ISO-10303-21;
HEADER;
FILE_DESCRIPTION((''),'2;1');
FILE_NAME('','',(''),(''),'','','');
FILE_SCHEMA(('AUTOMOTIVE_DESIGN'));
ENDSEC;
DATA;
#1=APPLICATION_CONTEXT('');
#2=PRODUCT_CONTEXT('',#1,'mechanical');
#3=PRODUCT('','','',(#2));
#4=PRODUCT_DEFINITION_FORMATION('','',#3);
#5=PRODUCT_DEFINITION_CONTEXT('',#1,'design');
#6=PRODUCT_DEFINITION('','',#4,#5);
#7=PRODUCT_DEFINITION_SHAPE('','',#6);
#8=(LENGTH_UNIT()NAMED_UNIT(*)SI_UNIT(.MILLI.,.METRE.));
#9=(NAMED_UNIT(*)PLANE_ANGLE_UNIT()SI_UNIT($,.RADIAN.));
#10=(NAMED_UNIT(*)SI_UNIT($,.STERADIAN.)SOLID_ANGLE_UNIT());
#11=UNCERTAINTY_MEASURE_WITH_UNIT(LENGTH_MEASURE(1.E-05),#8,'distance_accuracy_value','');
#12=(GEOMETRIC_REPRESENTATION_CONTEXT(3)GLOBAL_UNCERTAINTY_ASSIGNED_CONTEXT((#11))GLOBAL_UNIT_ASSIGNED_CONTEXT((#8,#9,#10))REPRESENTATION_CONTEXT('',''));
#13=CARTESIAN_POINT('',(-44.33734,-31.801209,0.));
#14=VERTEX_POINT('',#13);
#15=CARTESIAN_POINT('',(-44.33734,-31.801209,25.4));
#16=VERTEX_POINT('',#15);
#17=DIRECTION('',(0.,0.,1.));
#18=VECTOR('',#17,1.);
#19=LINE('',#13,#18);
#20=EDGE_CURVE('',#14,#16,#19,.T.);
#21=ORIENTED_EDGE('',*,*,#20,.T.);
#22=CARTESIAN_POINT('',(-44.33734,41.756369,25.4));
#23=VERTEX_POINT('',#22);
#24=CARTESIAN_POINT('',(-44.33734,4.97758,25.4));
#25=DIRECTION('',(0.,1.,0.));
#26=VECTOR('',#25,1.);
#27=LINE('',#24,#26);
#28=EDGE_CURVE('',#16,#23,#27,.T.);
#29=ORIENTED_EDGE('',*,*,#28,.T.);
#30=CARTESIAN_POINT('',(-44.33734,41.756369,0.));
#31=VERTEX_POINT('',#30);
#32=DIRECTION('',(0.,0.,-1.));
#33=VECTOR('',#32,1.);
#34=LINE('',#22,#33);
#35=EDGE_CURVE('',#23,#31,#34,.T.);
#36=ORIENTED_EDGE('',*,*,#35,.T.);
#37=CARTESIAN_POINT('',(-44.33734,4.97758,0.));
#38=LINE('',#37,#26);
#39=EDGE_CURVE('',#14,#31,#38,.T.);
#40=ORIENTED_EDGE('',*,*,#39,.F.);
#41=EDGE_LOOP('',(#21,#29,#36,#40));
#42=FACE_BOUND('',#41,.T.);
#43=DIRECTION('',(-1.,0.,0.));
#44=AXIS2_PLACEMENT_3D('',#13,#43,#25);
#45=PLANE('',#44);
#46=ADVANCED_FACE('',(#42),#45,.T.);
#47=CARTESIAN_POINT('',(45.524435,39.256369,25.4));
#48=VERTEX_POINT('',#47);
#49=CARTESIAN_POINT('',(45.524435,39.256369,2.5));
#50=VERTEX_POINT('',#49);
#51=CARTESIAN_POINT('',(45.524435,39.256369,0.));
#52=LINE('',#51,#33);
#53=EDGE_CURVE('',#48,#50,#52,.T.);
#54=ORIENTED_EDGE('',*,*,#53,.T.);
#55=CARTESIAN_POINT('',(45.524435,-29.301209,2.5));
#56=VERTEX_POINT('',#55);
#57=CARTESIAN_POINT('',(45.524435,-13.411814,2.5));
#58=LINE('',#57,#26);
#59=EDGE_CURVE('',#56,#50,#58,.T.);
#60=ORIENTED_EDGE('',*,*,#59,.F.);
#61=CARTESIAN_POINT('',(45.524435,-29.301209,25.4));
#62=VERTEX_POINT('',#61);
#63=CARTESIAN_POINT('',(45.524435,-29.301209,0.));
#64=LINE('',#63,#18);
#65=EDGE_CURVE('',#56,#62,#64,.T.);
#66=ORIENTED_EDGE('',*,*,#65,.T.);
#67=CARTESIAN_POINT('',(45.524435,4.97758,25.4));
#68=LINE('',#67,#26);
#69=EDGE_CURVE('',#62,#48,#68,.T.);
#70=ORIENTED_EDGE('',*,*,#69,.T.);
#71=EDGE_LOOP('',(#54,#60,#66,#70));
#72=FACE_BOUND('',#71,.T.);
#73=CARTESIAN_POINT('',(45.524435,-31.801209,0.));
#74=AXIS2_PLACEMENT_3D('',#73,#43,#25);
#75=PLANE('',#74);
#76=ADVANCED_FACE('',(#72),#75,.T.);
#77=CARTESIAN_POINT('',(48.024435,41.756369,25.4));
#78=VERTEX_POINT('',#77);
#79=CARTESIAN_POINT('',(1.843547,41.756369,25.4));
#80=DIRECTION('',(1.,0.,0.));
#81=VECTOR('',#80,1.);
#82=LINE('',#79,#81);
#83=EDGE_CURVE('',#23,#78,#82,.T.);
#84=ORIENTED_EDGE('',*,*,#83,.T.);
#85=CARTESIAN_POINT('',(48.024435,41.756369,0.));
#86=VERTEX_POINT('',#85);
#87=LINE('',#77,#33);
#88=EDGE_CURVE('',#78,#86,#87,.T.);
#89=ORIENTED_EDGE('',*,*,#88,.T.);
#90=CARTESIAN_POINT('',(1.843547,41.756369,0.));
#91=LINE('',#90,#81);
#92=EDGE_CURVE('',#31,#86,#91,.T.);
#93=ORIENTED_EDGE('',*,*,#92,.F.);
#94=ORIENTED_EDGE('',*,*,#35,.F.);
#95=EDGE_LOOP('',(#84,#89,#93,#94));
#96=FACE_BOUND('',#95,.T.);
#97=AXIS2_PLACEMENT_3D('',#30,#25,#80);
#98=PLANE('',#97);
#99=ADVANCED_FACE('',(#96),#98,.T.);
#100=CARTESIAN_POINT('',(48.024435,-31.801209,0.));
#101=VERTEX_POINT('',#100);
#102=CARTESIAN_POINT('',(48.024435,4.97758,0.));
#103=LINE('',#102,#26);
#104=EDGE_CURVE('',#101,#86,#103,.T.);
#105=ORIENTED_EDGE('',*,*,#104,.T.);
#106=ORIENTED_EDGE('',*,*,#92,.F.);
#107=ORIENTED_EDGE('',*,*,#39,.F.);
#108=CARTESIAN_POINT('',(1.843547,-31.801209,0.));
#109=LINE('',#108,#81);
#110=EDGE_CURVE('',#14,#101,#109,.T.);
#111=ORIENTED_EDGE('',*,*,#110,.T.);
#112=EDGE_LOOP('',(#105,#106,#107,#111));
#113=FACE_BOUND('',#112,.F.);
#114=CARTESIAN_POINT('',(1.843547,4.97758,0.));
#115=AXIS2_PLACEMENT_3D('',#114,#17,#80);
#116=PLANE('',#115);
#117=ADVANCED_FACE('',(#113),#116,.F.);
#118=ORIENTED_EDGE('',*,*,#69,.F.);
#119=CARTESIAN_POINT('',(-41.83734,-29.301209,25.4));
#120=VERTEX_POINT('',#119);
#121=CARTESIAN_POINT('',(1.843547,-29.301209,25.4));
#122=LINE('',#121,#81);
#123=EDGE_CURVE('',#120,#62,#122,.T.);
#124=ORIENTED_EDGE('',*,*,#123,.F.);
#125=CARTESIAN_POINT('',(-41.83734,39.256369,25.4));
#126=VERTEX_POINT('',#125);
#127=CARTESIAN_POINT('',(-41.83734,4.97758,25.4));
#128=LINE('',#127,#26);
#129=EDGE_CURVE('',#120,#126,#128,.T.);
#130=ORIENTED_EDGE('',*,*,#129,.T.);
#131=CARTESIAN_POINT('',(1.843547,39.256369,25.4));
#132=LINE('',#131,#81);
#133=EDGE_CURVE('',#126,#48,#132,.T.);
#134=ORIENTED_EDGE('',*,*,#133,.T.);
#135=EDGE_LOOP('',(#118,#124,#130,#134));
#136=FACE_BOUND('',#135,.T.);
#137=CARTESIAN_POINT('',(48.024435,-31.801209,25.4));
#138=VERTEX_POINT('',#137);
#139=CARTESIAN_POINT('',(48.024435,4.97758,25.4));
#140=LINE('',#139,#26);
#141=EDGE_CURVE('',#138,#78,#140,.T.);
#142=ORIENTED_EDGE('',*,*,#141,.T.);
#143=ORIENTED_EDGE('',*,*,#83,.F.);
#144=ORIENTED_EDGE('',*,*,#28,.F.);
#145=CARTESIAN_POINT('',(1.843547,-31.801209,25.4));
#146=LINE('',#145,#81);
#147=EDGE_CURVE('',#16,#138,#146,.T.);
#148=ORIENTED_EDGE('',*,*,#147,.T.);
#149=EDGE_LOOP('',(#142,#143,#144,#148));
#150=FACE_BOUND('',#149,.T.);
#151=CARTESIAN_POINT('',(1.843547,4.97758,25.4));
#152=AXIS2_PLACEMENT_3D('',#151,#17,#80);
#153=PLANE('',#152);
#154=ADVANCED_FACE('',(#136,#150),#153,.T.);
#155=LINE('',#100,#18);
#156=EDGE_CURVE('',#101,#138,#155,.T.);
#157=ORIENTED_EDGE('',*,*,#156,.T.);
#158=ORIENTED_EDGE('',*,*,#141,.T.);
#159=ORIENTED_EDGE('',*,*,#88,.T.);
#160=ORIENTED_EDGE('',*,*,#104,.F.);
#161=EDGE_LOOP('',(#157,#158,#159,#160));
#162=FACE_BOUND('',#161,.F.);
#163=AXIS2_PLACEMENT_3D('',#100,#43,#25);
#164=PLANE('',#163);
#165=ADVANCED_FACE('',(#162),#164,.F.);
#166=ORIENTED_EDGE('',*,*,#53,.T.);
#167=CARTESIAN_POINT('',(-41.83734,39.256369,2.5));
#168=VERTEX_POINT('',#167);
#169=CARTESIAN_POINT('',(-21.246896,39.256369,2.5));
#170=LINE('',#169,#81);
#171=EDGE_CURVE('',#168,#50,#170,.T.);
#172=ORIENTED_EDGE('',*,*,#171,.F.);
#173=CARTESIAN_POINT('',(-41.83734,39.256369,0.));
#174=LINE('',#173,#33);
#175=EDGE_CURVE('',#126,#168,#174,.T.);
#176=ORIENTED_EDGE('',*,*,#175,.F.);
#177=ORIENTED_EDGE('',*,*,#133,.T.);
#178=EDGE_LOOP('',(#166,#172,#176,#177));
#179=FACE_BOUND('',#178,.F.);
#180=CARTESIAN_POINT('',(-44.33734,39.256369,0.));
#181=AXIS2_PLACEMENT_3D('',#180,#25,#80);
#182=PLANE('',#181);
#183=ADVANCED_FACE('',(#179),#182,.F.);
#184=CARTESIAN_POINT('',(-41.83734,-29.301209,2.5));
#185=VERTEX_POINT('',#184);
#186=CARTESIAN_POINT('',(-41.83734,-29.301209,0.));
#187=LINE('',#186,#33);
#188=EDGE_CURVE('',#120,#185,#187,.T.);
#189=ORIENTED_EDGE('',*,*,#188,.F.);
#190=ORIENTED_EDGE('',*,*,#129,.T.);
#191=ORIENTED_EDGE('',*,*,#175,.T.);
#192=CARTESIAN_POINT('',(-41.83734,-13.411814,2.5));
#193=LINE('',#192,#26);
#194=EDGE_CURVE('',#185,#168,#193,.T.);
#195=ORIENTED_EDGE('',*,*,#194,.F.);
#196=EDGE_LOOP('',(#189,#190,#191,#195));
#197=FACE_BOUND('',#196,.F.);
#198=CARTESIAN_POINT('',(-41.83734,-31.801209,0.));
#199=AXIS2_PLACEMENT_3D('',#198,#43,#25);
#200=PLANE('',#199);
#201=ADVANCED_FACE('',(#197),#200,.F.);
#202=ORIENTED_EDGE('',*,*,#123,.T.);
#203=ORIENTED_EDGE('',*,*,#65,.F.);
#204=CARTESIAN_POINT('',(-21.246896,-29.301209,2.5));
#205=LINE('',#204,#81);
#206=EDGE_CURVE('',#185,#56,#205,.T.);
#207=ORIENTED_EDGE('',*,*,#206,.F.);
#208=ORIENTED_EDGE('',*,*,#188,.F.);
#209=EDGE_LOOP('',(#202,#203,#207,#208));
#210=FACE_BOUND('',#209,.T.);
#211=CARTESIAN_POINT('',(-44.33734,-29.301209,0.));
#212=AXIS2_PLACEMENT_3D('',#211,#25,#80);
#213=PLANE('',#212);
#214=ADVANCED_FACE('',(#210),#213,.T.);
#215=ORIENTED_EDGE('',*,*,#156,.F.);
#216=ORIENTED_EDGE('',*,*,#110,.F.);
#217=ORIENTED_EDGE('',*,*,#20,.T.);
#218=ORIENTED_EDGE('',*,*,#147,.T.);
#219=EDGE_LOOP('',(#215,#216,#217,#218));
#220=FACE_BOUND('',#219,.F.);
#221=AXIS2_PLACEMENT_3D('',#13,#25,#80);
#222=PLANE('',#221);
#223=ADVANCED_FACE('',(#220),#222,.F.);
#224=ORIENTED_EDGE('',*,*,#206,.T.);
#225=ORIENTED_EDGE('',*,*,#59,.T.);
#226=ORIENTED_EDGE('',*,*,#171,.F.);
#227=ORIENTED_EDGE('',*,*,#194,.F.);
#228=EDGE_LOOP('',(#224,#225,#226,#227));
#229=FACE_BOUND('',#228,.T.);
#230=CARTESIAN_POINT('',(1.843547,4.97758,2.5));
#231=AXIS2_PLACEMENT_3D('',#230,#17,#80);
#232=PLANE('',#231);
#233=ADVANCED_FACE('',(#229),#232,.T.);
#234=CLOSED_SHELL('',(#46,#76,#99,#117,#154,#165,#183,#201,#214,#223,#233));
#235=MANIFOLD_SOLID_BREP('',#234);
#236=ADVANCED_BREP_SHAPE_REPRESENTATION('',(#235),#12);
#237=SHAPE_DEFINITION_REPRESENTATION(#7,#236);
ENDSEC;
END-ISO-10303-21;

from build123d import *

# Parameters (mm, degrees)
F0_W      = 92.3617742956
F0_H      = 73.5575780272
F1_DEPTH  = 25.4
F2_DEPTH  = 25
F3_T      = -2.5
F3_FACE_W = 87.3617742956
F3_FACE_H = 68.5575780272


with BuildPart() as f1:
    # F0 (on Top) → F1 (new body)
    with BuildSketch(Plane.XY):
        with Locations((1.8435474485, 4.9775801599)):
            Rectangle(F0_W, F0_H)
    extrude(amount=F1_DEPTH)

    # F0 (on Top) → F2 (join)
    with BuildSketch(Plane.XY):
        with Locations((1.8435474485, 4.9775801599)):
            Rectangle(F0_W, F0_H)
    extrude(amount=F2_DEPTH)

    # F3
    f3_openings = [f1.faces().sort_by_distance(p)[0] for p in [
        (1.843547, 4.97758, 25.4),
    ]]
    offset(amount=F3_T, openings=f3_openings)

    # F3_face (on face) → F4 section 0
    with BuildSketch(Plane(origin=(1.8435474485, 4.9775801599, 2.5), x_dir=(1, 0, 0), z_dir=(0, 0, 1)), mode=Mode.PRIVATE) as f4_s0:
        Rectangle(F3_FACE_W, F3_FACE_H)
    loft([f4_s0.sketch, Vertex(0, 0, 0)])


solid = f1.part
